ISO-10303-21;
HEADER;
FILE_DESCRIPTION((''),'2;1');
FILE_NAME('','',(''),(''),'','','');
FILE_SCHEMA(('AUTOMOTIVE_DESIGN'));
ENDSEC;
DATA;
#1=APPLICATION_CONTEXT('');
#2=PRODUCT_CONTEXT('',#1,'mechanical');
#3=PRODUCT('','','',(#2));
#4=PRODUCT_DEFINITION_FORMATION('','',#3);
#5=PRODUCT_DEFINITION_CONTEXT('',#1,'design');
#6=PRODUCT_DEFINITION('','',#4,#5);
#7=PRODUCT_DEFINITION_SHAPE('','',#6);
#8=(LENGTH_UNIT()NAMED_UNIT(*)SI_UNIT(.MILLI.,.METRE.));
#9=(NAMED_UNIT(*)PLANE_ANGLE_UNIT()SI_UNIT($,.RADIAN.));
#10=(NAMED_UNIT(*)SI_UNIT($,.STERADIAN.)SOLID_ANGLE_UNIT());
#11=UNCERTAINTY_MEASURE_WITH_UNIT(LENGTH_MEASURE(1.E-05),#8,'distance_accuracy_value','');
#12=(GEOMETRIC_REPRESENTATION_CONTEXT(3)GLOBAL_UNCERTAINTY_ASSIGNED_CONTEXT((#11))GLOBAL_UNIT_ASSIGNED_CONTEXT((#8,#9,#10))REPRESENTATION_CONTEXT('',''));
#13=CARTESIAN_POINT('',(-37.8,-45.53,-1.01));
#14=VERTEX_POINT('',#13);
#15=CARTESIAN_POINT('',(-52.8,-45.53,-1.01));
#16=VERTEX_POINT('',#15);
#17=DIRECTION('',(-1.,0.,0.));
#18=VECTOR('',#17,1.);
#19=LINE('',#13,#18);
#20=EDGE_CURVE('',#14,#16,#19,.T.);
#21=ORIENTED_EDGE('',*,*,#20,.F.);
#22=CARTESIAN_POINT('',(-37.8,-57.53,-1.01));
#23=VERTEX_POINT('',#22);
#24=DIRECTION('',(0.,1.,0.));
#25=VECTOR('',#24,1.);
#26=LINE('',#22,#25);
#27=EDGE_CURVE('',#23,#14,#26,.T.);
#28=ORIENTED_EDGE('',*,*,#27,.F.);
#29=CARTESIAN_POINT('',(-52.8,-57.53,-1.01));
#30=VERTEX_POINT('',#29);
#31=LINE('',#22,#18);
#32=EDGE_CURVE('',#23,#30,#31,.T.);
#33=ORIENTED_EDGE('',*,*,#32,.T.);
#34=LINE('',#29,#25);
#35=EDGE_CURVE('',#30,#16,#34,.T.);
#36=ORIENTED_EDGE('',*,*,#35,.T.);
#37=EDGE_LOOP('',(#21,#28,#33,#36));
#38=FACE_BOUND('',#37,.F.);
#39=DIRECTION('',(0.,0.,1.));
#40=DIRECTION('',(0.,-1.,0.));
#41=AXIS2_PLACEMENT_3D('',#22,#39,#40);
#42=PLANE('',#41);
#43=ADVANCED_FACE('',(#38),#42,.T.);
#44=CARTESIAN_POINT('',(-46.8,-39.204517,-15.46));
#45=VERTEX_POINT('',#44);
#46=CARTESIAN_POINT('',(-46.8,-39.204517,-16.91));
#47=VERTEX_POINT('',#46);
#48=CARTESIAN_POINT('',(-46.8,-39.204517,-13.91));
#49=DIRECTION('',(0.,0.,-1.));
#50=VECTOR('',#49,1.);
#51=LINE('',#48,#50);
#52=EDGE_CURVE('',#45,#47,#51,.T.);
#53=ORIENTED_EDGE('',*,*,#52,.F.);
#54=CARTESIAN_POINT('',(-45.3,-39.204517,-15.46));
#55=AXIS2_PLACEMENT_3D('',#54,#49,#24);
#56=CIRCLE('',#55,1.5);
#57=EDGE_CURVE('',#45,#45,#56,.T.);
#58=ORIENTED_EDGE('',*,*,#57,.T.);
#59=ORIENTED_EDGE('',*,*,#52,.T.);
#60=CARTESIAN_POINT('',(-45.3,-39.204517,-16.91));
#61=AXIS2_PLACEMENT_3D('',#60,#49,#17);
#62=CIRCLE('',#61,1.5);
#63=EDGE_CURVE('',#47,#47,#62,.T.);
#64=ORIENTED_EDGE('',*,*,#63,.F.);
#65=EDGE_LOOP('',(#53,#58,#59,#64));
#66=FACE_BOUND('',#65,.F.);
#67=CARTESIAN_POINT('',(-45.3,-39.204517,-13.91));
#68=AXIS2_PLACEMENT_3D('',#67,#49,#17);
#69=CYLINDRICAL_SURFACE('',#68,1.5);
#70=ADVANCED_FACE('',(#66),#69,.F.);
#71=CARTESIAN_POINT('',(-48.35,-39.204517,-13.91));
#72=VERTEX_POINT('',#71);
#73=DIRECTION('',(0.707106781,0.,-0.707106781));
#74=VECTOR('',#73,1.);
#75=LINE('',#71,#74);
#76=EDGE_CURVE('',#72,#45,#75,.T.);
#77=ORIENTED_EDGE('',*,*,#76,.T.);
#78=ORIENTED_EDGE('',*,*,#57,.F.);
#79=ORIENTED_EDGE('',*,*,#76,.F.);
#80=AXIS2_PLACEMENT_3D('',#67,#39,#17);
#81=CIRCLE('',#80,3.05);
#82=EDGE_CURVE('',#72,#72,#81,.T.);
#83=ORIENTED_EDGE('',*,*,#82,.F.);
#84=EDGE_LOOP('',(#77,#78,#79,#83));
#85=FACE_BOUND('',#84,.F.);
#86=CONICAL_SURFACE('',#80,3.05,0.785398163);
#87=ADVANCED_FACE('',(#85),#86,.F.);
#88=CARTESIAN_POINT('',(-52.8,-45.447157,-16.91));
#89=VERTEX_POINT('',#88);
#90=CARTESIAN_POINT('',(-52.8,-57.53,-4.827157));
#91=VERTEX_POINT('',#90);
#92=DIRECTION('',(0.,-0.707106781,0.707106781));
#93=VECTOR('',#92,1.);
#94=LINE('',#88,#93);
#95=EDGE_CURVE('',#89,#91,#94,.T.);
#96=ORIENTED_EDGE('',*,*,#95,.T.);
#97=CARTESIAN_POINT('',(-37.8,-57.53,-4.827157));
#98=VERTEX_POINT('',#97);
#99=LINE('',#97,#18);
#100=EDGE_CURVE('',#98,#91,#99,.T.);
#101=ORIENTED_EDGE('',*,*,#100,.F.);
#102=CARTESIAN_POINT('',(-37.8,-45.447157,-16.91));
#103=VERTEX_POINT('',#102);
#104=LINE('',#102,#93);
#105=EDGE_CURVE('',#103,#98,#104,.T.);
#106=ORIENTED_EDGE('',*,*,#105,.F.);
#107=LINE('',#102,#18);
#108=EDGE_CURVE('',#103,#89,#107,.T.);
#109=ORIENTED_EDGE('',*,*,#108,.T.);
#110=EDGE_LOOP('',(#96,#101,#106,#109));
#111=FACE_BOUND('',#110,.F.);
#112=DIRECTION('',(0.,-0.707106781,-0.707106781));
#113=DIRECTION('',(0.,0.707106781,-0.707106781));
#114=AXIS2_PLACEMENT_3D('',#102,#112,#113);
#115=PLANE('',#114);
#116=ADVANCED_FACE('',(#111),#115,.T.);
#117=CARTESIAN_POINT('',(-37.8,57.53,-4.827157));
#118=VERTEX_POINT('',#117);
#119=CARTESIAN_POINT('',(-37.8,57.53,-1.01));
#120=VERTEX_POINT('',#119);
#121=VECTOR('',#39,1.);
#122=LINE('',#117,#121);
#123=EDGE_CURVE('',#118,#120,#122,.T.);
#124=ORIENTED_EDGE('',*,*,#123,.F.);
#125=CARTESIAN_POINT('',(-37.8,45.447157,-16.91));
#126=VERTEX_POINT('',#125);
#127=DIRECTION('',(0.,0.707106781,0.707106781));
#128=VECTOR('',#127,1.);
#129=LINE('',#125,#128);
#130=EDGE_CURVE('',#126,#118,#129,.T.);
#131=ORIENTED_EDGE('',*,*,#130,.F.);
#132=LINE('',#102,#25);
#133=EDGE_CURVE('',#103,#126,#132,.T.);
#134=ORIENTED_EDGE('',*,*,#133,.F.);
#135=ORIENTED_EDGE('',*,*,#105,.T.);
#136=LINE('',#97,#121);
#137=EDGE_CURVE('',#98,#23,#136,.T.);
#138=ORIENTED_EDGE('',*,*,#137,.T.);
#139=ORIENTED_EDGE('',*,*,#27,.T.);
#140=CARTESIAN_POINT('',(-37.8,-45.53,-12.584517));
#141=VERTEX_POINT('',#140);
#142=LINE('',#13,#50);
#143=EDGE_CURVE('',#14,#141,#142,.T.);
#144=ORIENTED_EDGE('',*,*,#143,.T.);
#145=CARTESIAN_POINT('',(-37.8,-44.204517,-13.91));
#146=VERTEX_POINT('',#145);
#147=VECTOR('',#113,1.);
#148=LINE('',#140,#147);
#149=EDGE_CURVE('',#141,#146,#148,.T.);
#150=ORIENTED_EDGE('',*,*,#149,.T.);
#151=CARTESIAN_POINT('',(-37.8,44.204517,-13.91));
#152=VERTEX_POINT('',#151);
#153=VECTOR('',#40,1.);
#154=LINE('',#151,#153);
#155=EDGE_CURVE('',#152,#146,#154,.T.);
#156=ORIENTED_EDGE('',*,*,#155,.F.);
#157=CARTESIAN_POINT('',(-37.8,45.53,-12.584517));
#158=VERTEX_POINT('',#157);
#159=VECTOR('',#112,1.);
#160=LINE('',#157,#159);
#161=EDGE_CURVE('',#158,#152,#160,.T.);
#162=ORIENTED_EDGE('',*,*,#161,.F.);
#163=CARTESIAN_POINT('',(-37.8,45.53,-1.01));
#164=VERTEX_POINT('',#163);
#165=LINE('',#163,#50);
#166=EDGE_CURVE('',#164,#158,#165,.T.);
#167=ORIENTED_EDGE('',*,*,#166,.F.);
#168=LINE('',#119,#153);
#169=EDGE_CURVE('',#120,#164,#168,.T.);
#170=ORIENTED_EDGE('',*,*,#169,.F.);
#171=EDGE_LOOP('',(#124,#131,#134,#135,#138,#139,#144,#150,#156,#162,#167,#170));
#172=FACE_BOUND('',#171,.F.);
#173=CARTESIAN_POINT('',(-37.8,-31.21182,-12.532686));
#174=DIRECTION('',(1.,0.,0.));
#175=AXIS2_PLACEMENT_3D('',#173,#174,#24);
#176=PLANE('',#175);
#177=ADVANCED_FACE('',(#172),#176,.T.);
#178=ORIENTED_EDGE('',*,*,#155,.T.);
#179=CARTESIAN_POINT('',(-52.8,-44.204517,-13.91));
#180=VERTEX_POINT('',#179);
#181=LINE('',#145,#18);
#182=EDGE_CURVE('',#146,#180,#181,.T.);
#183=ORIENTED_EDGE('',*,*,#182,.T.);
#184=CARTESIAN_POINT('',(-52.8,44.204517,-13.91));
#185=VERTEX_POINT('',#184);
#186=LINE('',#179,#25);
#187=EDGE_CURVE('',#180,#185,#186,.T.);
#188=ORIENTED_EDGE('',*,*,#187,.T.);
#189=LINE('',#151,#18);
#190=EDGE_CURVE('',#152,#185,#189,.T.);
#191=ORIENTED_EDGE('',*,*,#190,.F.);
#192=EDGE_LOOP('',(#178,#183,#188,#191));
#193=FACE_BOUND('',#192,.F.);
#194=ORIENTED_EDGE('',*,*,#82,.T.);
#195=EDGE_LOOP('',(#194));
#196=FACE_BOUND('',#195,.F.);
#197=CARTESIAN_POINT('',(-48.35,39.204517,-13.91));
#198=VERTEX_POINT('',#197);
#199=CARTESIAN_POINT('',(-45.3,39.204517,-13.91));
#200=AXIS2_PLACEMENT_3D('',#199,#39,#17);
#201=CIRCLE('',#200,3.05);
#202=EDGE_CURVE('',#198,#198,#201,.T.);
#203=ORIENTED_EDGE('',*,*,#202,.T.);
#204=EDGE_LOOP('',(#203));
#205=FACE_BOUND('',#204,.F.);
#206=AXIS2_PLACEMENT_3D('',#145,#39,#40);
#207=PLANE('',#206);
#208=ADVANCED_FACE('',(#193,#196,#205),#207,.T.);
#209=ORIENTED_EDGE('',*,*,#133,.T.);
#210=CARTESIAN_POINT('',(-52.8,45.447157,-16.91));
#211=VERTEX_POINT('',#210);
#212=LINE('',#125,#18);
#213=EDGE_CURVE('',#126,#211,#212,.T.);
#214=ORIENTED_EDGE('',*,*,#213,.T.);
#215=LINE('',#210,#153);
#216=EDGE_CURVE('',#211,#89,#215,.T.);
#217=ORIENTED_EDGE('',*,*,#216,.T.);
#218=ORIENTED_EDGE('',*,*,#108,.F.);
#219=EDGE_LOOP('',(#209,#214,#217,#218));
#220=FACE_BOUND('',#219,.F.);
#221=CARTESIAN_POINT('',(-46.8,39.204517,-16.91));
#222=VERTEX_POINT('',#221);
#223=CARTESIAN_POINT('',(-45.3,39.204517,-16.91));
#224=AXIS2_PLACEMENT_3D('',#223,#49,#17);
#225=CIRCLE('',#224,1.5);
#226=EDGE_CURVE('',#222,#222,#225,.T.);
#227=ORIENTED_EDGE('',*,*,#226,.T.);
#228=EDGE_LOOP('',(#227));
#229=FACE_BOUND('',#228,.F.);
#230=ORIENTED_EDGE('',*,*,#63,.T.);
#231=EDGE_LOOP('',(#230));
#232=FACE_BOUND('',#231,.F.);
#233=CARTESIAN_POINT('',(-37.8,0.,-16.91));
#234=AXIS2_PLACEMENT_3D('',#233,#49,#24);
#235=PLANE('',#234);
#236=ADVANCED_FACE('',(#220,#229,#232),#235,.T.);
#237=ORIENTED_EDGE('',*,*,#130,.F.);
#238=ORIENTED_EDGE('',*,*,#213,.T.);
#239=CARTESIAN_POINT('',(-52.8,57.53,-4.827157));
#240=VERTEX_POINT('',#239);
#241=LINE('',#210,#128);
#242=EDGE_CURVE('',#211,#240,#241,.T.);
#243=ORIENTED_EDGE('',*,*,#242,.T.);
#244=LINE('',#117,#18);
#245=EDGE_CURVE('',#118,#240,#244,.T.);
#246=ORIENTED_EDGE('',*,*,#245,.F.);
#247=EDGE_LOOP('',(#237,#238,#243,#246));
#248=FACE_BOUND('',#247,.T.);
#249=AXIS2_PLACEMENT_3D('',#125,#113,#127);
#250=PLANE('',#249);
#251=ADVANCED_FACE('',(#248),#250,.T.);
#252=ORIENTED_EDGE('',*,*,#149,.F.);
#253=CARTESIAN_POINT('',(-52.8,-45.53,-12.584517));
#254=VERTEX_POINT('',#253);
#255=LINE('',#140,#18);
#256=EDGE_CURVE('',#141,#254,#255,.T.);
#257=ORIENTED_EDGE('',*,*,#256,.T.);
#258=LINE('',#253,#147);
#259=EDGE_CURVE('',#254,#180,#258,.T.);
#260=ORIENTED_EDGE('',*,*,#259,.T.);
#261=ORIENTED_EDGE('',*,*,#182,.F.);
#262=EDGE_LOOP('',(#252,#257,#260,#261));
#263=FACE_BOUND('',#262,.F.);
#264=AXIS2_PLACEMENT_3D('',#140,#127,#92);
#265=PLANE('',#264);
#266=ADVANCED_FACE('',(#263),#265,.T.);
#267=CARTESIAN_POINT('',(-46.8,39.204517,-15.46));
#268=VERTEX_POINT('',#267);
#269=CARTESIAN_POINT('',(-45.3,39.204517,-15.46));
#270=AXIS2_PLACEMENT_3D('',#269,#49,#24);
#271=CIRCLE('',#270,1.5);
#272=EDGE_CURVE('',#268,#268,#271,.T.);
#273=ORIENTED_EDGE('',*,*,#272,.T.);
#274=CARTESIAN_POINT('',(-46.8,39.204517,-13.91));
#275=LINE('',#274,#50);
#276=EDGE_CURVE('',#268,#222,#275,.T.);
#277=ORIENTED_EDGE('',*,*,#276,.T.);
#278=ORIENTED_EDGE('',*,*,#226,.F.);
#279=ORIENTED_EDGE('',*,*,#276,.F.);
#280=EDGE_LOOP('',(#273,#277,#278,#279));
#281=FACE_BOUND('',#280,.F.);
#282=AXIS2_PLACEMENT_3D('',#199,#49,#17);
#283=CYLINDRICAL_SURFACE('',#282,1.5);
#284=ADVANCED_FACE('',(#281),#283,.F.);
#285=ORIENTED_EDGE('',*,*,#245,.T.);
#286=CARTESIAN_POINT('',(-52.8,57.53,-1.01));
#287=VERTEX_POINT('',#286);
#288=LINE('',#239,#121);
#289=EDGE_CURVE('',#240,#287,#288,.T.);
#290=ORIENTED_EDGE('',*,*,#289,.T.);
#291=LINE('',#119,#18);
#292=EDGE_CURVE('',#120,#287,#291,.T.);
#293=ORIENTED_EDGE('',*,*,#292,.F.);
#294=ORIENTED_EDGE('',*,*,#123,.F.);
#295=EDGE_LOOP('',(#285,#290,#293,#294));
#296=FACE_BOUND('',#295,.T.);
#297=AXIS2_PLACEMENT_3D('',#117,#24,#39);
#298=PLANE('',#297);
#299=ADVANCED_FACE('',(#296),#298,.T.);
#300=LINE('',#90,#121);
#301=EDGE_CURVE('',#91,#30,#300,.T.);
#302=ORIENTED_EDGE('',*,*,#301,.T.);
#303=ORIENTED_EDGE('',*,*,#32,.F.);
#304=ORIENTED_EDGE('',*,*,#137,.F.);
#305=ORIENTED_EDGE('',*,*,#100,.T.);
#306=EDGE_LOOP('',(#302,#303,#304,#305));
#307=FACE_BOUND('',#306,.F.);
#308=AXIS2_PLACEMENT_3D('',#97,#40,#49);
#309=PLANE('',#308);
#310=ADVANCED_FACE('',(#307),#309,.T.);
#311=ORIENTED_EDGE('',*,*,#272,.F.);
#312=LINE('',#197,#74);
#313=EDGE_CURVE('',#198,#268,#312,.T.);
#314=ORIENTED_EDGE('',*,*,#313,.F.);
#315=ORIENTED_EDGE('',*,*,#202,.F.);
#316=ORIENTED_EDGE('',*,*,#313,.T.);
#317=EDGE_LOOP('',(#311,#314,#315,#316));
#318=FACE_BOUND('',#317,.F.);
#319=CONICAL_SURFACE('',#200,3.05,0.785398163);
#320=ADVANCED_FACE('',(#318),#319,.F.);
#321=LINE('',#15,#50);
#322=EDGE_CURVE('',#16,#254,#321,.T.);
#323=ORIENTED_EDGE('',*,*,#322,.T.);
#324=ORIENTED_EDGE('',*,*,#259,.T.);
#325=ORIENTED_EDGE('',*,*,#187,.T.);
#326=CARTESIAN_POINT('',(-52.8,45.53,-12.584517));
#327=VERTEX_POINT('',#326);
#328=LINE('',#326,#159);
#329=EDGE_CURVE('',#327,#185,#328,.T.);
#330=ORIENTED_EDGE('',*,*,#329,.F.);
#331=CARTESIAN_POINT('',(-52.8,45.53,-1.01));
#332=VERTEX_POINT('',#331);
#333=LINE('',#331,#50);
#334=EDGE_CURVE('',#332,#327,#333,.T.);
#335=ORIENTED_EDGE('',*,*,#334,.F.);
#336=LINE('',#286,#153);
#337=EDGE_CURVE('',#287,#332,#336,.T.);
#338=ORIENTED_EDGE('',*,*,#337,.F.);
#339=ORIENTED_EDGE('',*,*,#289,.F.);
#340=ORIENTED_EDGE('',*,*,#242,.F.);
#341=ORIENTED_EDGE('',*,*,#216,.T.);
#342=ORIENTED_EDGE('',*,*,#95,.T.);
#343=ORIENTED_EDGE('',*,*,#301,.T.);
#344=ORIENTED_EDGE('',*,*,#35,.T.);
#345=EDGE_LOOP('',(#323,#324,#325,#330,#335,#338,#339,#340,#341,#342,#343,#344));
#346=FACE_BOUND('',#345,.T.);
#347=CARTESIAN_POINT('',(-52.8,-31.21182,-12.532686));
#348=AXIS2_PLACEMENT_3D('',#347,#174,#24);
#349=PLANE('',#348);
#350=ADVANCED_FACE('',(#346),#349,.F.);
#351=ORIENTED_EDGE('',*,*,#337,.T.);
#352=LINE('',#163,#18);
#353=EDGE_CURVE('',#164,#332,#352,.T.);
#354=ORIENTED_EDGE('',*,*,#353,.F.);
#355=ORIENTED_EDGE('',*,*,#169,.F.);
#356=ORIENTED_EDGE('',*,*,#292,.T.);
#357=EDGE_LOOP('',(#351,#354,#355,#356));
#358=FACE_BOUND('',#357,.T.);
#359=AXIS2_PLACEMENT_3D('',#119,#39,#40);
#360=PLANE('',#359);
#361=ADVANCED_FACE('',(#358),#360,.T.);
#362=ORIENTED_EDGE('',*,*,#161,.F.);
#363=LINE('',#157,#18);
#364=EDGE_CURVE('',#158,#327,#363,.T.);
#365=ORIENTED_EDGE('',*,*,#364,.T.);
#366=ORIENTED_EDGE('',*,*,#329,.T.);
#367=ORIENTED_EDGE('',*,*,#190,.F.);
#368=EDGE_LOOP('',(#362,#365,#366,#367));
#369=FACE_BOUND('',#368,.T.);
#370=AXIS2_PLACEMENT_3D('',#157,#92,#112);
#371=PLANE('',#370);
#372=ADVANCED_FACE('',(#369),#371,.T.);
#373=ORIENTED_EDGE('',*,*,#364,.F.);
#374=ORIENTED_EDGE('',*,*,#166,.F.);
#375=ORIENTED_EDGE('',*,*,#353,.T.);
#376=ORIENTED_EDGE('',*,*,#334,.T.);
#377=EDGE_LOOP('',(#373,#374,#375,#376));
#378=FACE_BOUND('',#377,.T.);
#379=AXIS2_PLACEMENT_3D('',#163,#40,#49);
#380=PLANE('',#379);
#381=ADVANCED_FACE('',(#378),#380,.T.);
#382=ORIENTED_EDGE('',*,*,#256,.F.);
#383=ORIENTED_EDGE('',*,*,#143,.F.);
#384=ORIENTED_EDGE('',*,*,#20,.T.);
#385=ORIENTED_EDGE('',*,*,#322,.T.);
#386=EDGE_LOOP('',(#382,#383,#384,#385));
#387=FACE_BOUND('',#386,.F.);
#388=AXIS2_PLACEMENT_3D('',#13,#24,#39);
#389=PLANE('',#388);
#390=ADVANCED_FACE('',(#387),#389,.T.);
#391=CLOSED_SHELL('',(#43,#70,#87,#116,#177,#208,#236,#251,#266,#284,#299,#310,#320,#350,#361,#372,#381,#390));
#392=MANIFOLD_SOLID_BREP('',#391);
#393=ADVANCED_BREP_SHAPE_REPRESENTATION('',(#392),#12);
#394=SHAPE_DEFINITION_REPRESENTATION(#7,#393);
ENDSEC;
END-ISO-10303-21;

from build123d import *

# Parameters (mm, degrees)
PAD005_DEPTH        = 15
HOLE001_D           = 3
HOLE001_DEPTH       = 25
HOLE001_CSINK_D     = 6.1
HOLE001_CSINK_ANGLE = 90
HOLE_D              = 3
HOLE_DEPTH          = 25
HOLE_CSINK_D        = 6.1
HOLE_CSINK_ANGLE    = 90


with BuildPart() as part:
    # Sketch005 (on Face53 of Binder002) → Pad005 (new body)
    with BuildSketch(Plane(origin=(87.2, 0, 0), x_dir=(0, -1, 0), z_dir=(-1, 0, 0))):
        Polygon((-57.53, -4.827157), (-57.53, -1.01), (-45.53, -1.01), (-45.53, -12.584517), (-44.204517, -13.91), (0, -13.91), (0, -16.91), (-45.447157, -16.91), align=None)
    pad005 = extrude(amount=PAD005_DEPTH)

    # Mirrored: Pad005 across Sketch005 V_Axis
    add(pad005.mirror(Plane(origin=(87.2, 0, 0), x_dir=(-1, 0, 0), z_dir=(0, -1, 0))))

    # Hole001
    with Locations(Plane.XY.offset(-13.91)):
        with Locations((79.7, 39.204517), (79.7, -39.204517)):
            CounterSinkHole(HOLE001_D / 2, HOLE001_CSINK_D / 2, depth=HOLE001_DEPTH, counter_sink_angle=HOLE001_CSINK_ANGLE)

    # Hole
    with Locations(Plane.XY.offset(-13.91)):
        with Locations((79.7, 39.204517), (79.7, -39.204517)):
            CounterSinkHole(HOLE_D / 2, HOLE_CSINK_D / 2, depth=HOLE_DEPTH, counter_sink_angle=HOLE_CSINK_ANGLE)


with BuildPart() as part_1:
    # Body003 placement: moved
    add(part.part.moved(Location((-125, 0, 0))))


solid = part_1.part
